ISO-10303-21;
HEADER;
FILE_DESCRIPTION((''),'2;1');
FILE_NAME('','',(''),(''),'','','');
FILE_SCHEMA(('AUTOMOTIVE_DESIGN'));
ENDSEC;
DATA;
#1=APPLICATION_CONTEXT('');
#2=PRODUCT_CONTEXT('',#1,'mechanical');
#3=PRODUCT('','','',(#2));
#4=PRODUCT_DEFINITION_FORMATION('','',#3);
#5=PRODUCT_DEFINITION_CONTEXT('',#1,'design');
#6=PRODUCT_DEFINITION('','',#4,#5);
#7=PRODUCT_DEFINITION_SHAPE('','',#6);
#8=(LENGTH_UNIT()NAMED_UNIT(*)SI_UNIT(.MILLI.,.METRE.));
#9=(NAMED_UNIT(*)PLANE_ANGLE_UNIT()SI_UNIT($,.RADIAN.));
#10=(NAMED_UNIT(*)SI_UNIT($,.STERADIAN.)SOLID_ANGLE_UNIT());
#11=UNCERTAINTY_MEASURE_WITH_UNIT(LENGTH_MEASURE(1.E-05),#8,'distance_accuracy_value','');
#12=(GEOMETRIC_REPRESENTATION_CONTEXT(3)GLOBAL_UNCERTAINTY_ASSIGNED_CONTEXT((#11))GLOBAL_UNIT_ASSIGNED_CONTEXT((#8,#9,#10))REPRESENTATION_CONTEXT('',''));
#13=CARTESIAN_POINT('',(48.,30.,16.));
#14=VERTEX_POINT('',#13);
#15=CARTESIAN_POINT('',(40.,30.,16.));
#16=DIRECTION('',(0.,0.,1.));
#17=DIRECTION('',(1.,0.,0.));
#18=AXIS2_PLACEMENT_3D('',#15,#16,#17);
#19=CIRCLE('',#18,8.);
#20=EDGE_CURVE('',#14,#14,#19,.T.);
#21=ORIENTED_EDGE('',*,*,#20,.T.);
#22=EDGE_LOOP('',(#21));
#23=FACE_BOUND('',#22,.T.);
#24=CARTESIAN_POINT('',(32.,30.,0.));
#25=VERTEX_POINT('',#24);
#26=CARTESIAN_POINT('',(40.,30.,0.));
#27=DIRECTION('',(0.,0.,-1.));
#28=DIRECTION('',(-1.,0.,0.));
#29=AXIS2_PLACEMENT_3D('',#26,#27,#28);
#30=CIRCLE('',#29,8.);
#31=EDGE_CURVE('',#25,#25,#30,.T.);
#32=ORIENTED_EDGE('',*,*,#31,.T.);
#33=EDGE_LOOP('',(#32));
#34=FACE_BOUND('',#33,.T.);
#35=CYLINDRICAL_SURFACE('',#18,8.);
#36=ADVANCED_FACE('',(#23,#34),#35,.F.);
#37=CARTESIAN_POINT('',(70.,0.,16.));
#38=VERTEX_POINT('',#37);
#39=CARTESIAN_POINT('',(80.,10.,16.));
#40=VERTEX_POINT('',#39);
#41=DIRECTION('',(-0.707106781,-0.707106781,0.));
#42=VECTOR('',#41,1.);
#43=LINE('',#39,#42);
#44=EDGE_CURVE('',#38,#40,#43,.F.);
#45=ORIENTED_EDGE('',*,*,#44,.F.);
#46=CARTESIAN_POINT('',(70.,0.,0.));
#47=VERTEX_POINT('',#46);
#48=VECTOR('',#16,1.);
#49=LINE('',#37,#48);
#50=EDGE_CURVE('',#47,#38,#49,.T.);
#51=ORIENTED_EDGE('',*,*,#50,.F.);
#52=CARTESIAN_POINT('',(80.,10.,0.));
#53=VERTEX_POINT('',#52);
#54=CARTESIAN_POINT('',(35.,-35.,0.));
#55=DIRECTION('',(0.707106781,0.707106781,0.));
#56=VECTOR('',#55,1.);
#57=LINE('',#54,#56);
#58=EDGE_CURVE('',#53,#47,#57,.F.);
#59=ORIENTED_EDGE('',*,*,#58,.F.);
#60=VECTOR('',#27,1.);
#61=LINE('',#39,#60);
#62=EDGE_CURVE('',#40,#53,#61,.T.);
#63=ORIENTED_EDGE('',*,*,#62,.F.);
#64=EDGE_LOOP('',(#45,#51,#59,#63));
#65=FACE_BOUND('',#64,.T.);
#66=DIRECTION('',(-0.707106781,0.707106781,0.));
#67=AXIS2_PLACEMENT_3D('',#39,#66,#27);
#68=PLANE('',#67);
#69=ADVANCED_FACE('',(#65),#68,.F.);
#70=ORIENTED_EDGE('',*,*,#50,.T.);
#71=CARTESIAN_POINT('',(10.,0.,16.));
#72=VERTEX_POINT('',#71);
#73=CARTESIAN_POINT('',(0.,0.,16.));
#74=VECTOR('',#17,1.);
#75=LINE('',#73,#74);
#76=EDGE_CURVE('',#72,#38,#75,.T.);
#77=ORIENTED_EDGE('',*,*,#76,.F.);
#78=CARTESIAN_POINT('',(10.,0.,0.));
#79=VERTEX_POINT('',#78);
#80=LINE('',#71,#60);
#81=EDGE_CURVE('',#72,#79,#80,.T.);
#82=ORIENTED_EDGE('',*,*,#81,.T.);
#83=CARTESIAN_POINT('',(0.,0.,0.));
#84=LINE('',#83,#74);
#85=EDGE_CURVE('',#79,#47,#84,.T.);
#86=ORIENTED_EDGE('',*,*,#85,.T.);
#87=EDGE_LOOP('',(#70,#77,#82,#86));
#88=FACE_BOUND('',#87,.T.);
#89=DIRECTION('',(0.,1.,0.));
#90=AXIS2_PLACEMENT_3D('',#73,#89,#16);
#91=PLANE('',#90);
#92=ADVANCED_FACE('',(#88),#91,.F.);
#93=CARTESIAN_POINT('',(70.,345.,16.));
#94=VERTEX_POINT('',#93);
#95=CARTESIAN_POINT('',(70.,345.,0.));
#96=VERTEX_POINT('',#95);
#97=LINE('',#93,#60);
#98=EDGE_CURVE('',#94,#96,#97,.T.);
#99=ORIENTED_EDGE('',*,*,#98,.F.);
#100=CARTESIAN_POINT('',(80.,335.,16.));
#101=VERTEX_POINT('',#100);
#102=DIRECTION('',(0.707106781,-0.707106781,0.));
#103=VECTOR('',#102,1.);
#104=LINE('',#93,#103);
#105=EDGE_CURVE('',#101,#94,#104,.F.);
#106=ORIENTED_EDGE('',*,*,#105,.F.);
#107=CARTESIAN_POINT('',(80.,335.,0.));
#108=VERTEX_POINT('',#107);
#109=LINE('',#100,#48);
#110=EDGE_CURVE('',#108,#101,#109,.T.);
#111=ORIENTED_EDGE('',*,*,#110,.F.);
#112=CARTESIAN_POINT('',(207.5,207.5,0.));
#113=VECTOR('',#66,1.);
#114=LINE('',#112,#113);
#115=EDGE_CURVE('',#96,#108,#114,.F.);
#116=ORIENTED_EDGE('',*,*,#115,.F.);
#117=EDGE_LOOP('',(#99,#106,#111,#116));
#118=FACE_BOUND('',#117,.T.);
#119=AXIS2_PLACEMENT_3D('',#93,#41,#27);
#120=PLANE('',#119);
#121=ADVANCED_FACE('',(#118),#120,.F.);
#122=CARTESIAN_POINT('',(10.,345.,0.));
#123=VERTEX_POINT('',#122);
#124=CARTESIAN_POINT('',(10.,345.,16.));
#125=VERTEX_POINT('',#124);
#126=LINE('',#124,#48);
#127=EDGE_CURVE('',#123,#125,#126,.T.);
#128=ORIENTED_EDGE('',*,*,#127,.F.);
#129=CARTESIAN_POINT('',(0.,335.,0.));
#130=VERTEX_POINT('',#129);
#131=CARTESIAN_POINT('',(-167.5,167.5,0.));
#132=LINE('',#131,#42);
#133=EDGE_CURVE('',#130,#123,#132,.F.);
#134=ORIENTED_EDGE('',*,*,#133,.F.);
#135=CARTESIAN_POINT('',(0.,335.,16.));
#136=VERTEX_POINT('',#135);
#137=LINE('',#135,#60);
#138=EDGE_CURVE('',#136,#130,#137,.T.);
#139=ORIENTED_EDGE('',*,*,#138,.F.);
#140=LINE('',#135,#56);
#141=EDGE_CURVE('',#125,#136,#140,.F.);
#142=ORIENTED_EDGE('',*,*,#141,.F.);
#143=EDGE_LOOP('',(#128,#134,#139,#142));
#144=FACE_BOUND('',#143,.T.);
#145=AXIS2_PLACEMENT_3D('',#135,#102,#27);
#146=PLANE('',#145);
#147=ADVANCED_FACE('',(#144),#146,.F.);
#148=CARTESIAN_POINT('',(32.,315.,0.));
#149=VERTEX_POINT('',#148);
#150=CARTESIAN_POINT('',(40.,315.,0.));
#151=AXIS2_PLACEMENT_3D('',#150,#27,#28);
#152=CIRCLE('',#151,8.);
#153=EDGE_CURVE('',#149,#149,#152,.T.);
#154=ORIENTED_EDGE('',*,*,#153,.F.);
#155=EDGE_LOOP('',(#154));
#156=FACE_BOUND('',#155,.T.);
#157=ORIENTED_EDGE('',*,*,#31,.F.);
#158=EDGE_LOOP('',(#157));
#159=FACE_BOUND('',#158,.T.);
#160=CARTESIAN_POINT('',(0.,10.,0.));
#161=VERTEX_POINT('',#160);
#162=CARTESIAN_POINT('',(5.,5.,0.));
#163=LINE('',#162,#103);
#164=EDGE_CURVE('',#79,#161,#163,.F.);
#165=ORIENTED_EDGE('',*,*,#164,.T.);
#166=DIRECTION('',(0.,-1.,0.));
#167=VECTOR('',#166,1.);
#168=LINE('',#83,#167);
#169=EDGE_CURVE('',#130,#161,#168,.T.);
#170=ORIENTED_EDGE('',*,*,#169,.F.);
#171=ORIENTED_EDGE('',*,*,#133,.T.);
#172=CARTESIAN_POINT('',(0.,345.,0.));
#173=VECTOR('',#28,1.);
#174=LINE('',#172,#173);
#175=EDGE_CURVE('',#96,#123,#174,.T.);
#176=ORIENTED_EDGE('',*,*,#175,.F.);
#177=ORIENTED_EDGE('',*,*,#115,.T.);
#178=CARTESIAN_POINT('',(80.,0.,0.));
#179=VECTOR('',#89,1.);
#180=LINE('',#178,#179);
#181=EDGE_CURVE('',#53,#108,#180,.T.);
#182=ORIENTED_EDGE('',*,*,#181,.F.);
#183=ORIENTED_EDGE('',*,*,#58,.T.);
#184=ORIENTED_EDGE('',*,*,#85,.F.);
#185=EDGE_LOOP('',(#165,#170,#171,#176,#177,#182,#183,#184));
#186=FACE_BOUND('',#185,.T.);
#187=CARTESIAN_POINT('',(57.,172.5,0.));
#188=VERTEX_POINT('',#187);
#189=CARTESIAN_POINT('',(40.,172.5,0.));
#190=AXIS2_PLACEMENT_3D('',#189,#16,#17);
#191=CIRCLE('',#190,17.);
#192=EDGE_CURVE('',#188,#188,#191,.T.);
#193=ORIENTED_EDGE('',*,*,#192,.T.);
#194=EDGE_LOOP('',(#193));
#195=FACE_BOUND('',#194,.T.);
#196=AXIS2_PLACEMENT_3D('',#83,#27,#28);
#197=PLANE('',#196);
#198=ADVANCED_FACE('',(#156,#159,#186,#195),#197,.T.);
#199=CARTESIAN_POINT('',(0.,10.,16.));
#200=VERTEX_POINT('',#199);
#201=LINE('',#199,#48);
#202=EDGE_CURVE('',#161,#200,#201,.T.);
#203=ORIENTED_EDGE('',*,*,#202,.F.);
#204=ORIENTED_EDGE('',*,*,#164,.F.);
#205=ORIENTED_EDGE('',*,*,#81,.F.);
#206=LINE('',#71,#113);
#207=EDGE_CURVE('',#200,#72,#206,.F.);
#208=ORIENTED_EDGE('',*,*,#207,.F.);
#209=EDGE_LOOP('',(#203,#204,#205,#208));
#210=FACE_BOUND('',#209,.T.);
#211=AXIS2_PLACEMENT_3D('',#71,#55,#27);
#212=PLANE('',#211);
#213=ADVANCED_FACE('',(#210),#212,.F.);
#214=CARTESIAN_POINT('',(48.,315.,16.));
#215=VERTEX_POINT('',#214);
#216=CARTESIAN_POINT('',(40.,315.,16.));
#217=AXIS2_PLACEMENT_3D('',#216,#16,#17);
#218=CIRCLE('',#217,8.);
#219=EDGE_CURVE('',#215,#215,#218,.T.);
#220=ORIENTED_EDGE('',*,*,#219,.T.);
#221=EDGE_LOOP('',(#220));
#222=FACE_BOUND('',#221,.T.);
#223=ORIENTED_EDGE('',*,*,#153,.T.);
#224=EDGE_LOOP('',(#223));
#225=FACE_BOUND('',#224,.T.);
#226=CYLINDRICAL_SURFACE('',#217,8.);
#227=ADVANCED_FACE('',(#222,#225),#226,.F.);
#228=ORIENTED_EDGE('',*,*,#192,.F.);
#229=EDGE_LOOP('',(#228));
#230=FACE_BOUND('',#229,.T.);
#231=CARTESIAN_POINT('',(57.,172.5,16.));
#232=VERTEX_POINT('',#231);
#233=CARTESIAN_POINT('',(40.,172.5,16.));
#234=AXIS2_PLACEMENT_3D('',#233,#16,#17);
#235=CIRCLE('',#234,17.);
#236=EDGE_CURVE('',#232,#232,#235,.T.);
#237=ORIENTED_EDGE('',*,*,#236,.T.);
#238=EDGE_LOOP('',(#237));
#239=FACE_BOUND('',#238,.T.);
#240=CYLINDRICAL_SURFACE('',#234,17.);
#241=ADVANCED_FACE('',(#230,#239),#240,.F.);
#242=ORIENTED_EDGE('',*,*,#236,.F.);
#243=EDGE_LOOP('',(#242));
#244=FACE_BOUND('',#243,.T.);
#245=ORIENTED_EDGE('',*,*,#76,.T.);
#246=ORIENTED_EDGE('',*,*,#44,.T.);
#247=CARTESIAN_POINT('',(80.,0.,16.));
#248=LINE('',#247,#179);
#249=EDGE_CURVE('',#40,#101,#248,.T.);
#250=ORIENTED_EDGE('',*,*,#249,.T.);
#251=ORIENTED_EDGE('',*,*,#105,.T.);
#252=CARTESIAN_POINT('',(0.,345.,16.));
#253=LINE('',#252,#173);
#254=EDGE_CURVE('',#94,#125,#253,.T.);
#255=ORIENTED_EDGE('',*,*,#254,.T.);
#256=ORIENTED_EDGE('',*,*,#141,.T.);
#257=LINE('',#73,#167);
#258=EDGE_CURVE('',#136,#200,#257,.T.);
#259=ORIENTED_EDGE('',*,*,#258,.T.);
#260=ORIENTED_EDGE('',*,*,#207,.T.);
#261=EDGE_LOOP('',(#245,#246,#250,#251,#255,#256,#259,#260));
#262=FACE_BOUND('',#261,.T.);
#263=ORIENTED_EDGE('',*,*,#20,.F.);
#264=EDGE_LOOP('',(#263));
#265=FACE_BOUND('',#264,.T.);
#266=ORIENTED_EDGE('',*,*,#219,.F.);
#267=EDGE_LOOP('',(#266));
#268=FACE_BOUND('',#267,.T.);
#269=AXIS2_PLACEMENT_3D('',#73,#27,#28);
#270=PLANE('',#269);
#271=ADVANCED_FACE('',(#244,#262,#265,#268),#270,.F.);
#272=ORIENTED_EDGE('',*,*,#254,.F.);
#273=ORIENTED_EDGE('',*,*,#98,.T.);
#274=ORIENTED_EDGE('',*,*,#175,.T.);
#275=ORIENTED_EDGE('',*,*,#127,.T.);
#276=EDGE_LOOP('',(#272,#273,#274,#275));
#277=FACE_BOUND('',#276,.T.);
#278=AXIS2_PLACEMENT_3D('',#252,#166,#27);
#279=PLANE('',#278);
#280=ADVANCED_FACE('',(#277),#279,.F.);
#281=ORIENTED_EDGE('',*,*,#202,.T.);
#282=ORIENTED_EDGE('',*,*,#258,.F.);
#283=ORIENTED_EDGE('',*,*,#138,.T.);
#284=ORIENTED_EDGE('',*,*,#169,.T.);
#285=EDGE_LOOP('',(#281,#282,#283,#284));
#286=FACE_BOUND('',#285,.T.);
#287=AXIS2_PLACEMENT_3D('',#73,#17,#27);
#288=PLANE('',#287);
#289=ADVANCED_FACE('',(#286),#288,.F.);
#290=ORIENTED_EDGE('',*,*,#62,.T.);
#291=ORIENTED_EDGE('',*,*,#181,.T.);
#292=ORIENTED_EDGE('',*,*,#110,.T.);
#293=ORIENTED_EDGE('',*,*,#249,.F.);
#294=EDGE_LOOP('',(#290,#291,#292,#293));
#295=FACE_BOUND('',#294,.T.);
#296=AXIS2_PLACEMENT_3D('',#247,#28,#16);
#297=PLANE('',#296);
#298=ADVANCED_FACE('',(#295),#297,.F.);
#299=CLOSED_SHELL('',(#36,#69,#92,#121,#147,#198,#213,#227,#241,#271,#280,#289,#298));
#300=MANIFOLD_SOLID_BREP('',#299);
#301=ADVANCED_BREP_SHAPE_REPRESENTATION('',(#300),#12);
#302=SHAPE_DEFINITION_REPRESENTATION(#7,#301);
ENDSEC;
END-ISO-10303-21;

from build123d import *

# Parameters (mm, degrees)
SKETCH_1_W                  = 80
SKETCH_1_H                  = 345
EXTRUDE_1_DEPTH             = 16
HOLE_WIZARD_16_0_16_1_D     = 16
HOLE_WIZARD_16_0_16_1_DEPTH = 38
HOLE_WIZARD_16_0_16_1_TIP   = 4.806884952
CHAMFER_1_SIZE              = 10
HOLE_WIZARD_16_0_16_2_D     = 34


with BuildPart() as part:
    # 草图1 → 凸台-拉伸1 (new body)
    with BuildSketch(Plane.XY):
        with Locations((40, 172.5)):
            Rectangle(SKETCH_1_W, SKETCH_1_H)
    extrude(amount=EXTRUDE_1_DEPTH)

    # Ø16.0 (16) 直径孔1
    with Locations(Plane.XY.offset(16)):
        with Locations((40, 315), (40, 30)):
            Hole(HOLE_WIZARD_16_0_16_1_D / 2, depth=HOLE_WIZARD_16_0_16_1_DEPTH)
            with Locations((0, 0, -(HOLE_WIZARD_16_0_16_1_DEPTH + HOLE_WIZARD_16_0_16_1_TIP / 2))):  # 118° drill point
                Cone(0, HOLE_WIZARD_16_0_16_1_D / 2, HOLE_WIZARD_16_0_16_1_TIP, mode=Mode.SUBTRACT)

    # 倒角1
    chamfer_1_edges = [part.edges().sort_by_distance(p)[0] for p in [
        (0, 345, 8),
        (80, 345, 8),
        (80, 0, 8),
        (0, 0, 8),
    ]]
    chamfer(chamfer_1_edges, length=CHAMFER_1_SIZE)

    # Ø16.0 (16) 直径孔2 (through all)
    with Locations(Plane.XY.offset(16)):
        with Locations((40, 172.5)):
            Hole(HOLE_WIZARD_16_0_16_2_D / 2)


solid = part.part
